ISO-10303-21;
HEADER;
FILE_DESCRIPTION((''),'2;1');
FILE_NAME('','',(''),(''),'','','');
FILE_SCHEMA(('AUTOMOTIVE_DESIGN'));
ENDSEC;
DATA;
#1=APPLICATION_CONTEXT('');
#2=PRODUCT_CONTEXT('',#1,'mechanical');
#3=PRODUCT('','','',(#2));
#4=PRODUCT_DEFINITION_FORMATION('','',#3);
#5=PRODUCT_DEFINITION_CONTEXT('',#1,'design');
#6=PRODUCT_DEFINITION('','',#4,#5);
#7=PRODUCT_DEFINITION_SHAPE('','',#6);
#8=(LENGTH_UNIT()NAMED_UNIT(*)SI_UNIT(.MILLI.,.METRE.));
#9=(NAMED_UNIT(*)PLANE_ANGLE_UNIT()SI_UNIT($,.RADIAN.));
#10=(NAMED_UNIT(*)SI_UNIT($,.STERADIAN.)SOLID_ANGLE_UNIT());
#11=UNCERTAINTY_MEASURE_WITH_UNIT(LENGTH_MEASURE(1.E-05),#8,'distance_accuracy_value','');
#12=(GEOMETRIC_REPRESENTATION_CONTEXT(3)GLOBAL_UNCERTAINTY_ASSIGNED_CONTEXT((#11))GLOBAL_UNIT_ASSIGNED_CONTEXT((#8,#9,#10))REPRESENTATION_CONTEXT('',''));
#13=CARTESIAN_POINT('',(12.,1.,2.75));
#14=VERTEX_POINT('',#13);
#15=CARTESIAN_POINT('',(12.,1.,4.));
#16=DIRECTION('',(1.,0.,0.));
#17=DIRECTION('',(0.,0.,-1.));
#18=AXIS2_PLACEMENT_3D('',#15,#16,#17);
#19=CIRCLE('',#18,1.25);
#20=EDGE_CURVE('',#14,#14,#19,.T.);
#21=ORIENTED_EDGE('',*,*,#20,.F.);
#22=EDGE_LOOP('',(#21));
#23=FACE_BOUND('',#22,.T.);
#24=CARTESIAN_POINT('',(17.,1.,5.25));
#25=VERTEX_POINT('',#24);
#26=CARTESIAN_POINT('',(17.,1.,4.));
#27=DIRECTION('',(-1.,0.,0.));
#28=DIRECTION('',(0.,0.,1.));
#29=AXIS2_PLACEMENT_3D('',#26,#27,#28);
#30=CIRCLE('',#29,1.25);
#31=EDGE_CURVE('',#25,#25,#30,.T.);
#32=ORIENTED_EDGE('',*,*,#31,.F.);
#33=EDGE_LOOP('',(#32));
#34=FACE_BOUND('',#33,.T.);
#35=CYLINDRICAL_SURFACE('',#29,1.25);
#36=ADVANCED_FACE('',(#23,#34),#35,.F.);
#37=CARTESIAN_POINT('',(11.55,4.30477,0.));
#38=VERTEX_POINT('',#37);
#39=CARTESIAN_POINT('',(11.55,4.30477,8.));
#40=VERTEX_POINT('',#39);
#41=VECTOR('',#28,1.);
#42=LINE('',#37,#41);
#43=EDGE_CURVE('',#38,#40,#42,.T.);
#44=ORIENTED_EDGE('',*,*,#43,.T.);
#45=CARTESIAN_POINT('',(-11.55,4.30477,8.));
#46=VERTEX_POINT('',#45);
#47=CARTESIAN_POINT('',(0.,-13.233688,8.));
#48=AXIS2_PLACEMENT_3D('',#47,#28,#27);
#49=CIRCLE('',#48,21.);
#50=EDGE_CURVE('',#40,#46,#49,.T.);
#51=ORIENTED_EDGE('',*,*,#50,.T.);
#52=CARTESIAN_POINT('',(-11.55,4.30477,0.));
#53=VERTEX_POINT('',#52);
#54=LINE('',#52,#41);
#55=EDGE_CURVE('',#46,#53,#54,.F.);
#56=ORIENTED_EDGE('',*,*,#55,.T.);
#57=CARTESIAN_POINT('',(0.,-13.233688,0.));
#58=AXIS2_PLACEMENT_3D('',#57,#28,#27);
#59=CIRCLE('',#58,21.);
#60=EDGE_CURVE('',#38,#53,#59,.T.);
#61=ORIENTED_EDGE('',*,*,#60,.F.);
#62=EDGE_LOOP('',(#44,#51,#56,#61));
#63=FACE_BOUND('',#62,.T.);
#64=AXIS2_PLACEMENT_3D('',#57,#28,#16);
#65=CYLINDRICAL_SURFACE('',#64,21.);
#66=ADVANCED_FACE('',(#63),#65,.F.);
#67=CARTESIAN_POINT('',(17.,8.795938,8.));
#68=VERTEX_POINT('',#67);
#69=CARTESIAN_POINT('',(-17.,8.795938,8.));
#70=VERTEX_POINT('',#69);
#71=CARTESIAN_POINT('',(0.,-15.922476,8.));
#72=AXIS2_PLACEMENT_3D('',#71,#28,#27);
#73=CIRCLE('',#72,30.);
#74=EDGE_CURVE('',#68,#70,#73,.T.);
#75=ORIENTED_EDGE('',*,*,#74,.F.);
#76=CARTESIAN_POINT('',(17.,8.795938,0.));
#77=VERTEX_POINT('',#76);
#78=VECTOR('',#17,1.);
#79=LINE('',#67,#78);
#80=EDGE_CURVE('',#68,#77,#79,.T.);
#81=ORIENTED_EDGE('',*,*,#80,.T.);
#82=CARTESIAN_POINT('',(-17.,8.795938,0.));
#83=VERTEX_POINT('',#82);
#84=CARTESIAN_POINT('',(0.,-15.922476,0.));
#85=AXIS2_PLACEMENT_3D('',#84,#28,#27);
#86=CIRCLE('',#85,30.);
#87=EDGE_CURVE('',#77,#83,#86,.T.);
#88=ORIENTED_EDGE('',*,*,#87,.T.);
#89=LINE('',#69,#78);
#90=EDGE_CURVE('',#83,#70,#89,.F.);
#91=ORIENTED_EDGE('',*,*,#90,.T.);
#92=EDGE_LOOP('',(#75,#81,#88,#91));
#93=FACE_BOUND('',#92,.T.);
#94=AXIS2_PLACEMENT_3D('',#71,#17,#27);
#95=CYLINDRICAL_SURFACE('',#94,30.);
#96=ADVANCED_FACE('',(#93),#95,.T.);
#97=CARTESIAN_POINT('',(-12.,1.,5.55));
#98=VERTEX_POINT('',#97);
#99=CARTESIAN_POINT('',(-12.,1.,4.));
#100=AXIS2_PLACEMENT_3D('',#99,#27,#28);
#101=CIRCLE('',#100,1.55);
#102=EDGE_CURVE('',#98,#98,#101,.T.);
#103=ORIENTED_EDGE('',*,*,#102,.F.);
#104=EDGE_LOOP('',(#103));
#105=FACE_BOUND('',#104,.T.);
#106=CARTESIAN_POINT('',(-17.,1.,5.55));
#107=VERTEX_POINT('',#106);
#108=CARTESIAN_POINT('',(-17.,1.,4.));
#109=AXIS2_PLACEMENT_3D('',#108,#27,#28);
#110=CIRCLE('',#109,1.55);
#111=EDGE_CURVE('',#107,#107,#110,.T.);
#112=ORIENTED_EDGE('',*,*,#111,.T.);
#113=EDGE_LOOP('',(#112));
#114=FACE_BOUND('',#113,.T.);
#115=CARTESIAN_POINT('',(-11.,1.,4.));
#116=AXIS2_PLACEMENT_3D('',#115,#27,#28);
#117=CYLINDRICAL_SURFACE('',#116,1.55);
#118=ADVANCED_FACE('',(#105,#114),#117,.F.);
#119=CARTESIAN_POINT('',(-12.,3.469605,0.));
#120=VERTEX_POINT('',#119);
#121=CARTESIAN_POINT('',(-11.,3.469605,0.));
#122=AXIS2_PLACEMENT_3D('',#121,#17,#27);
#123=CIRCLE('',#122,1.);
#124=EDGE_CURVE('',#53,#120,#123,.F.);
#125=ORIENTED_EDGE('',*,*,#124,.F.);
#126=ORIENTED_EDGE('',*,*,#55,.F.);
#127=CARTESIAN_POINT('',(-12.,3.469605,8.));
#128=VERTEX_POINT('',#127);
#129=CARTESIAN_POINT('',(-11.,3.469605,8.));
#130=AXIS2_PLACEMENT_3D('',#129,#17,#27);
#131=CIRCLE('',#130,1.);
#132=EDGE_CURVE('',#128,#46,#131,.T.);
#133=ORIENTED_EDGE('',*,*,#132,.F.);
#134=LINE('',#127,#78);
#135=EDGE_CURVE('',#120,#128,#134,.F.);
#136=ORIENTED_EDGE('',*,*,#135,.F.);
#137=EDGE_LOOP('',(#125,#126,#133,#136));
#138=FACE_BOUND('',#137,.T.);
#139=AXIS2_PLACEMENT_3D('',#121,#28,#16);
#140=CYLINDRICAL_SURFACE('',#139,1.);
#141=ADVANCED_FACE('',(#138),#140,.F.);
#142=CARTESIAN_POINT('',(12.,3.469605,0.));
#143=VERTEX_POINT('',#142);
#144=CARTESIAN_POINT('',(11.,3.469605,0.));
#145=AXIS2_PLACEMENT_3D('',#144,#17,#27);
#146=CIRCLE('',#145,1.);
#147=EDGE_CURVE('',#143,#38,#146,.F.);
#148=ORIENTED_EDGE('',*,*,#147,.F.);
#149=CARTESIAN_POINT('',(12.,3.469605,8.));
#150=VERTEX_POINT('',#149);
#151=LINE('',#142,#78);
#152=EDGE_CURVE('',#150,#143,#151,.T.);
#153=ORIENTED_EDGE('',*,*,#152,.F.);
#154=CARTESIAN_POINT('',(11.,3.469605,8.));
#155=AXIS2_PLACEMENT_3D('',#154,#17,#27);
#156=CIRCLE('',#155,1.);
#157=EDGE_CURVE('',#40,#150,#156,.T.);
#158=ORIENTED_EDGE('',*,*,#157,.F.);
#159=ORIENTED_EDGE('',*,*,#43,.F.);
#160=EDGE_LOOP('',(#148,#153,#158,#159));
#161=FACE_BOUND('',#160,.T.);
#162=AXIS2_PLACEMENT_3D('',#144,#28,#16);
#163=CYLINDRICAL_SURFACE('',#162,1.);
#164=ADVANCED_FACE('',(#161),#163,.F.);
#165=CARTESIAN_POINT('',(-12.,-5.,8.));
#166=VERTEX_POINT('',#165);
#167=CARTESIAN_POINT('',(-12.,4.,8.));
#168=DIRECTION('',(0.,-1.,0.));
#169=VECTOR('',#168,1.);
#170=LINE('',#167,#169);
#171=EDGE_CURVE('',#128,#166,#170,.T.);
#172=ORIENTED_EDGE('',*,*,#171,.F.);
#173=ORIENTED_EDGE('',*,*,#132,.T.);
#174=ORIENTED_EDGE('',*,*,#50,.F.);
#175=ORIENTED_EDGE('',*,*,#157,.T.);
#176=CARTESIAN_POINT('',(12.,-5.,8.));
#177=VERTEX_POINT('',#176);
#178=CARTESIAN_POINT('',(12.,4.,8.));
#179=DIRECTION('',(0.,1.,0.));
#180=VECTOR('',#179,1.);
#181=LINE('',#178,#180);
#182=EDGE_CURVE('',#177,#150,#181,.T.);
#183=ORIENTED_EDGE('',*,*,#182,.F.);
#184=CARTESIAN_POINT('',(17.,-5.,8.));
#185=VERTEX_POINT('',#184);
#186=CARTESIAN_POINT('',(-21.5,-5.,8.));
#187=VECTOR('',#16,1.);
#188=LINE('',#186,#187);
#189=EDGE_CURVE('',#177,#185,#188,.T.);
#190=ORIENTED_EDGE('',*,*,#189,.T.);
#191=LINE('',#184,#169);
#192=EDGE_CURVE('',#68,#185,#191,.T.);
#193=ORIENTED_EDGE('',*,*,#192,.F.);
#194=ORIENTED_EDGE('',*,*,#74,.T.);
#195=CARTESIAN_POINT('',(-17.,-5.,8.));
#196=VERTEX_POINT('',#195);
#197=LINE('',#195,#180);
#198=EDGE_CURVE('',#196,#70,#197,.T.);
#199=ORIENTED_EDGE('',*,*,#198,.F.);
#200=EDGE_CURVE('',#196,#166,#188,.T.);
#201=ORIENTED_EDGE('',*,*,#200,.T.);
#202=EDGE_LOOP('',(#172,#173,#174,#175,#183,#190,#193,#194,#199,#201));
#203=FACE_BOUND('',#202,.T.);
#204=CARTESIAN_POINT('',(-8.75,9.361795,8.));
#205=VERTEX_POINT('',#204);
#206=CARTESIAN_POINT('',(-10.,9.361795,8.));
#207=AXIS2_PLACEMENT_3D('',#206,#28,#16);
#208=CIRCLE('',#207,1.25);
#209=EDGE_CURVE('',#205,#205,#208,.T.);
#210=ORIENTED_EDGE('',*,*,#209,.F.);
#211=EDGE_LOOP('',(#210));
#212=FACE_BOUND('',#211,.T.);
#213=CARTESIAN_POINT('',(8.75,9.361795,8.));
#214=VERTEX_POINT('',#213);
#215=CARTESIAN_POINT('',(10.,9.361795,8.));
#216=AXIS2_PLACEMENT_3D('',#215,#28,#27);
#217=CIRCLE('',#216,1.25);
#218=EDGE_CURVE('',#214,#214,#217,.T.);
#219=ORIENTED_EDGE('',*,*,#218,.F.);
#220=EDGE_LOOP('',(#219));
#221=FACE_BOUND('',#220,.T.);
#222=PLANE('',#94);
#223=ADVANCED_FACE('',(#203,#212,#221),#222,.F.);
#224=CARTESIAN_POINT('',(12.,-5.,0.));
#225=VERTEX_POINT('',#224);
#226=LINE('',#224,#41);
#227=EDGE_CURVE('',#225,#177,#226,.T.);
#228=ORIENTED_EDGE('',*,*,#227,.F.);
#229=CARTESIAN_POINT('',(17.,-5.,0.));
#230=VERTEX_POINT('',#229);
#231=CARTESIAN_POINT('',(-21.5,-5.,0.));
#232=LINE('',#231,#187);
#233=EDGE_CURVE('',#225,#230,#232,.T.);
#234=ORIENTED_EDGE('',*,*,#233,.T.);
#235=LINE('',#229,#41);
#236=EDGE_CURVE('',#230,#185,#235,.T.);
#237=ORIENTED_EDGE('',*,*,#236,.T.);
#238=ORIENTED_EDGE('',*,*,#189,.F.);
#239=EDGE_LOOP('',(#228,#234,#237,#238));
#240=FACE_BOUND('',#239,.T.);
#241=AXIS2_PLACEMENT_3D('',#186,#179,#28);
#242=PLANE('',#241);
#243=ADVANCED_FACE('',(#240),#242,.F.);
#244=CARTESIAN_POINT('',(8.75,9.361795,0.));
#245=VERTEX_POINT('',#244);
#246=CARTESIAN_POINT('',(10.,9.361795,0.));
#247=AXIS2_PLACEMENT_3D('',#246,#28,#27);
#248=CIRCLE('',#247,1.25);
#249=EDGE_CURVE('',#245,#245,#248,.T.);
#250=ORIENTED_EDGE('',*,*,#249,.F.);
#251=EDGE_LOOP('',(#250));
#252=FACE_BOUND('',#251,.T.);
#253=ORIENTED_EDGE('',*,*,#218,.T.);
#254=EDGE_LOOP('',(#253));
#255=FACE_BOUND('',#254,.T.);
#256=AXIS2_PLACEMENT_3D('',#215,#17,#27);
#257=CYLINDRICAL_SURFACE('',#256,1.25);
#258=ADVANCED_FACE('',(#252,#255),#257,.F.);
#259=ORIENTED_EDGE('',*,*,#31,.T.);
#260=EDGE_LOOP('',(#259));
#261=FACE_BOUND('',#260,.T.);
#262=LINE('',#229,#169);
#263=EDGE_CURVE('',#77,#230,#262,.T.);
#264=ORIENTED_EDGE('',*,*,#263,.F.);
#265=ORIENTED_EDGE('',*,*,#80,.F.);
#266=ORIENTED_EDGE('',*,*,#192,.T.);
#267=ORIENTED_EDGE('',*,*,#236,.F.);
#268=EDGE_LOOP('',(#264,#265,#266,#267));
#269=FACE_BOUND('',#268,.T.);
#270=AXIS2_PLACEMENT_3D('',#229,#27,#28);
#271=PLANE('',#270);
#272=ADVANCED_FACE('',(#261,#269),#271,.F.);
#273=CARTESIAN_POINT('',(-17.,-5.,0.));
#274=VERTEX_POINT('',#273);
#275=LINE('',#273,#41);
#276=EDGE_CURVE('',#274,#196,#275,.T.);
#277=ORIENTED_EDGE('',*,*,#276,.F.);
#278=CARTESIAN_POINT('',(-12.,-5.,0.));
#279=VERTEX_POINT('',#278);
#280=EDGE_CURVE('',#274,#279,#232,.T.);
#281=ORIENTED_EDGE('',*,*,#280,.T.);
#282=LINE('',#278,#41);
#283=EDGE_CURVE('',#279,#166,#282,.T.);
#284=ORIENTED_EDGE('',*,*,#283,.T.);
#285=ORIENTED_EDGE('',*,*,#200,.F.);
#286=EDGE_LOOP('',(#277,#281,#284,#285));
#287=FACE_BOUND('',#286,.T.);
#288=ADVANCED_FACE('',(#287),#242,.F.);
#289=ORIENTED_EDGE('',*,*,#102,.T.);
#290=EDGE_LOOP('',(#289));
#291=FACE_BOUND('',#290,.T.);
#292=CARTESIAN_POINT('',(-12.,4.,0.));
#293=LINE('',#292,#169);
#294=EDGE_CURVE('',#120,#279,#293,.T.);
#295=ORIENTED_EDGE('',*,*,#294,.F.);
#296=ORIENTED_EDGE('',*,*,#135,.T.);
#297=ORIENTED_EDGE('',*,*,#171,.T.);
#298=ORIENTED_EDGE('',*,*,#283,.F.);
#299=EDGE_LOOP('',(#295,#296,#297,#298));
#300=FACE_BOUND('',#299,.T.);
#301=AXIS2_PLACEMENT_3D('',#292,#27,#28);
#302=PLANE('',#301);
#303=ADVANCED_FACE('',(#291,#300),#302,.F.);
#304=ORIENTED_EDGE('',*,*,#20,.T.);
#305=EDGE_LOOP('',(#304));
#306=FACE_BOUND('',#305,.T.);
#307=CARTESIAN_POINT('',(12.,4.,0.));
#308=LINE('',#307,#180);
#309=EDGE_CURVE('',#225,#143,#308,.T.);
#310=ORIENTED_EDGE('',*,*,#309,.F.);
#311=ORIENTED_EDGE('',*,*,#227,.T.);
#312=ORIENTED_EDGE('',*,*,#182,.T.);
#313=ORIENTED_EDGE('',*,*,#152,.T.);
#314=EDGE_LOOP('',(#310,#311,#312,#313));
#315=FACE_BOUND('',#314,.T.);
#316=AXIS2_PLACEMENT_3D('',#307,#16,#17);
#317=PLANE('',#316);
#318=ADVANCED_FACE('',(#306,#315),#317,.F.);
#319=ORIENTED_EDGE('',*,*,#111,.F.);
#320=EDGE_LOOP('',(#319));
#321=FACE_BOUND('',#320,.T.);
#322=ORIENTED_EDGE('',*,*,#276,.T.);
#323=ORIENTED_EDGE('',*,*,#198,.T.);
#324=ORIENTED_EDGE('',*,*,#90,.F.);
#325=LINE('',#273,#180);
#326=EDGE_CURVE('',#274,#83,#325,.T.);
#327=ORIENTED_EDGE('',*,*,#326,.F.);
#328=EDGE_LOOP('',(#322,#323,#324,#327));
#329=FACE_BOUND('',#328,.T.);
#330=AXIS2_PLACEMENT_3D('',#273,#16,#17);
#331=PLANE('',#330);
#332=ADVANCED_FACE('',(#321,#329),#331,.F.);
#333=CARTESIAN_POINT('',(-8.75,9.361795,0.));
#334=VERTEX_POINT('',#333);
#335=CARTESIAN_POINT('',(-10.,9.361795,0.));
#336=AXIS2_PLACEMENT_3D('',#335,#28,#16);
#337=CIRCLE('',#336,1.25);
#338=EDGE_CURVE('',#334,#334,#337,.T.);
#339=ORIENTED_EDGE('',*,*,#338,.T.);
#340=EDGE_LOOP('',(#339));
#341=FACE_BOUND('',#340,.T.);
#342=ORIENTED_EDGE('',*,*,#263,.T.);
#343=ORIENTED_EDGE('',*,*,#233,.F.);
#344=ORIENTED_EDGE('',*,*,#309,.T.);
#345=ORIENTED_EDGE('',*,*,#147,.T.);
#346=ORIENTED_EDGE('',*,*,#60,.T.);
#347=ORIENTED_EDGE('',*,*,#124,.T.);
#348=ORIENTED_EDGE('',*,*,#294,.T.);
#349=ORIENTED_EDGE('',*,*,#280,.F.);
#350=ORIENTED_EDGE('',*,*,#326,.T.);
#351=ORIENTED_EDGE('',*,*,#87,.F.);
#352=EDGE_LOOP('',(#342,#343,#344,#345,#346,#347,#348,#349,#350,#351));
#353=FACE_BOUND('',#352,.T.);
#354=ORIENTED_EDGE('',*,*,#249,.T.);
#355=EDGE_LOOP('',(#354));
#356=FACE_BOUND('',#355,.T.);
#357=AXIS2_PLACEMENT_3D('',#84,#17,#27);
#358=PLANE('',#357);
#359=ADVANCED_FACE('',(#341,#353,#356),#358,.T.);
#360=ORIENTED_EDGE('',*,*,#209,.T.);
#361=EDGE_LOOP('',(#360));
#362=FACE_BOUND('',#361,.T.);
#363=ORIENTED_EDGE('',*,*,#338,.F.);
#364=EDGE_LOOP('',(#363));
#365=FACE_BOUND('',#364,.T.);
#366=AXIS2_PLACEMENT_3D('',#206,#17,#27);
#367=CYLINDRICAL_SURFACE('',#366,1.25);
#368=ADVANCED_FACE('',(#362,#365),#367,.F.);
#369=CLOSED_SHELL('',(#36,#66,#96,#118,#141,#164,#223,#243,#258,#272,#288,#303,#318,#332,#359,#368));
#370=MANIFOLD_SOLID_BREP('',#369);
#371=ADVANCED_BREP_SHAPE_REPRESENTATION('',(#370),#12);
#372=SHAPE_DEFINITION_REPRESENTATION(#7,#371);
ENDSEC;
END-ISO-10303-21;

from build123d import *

# Parameters (mm, degrees)
SKETCH_4_R          = 1.25
EXTRUDE_2_DEPTH     = 8
SKETCH_5_W          = 4.5
SKETCH_5_H          = 18.121653049
CUT_EXTRUDE_2_DEPTH = 9
SKETCH_6_R          = 1.25
CUT_EXTRUDE_3_DEPTH = 35
SKETCH_7_R          = 1.55
CUT_EXTRUDE_4_DEPTH = 6
FILLET_1_R          = 1


with BuildPart() as part:
    # 草图4 → 凸台-拉伸2 (new body)
    with BuildSketch(Plane.XY):
        with BuildLine():
            Line((-21.5, 5), (-21.5, -5))
            Line((-21.5, -5), (21.5, -5))
            Line((21.5, -5), (21.5, 5))
            ThreePointArc((21.5, 5), (0, 14.077524047), (-21.5, 5))
        make_face()
        with Locations((-10, 9.361795295)):
            Circle(SKETCH_4_R, mode=Mode.SUBTRACT)
        with Locations((10, 9.361795295)):
            Circle(SKETCH_4_R, mode=Mode.SUBTRACT)
    extrude(amount=EXTRUDE_2_DEPTH)

    # 草图5 → 切除-拉伸2 (cut, through all)
    with BuildSketch(Plane.XY.offset(8)):
        with BuildLine():
            Line((-12, 4), (-12, -5))
            Line((-12, -5), (12, -5))
            Line((12, -5), (12, 4))
            ThreePointArc((12, 4), (0, 7.76631206), (-12, 4))
        make_face()
        with Locations((19.25, 4.060826525)):
            Rectangle(SKETCH_5_W, SKETCH_5_H)
        with Locations((-19.25, 4.060826525)):
            Rectangle(SKETCH_5_W, SKETCH_5_H)
    extrude(amount=-CUT_EXTRUDE_2_DEPTH, mode=Mode.SUBTRACT)

    # 草图6 → 切除-拉伸3 (cut, through all)
    with BuildSketch(Plane.ZY.offset(17)):
        with Locations((4, 1)):
            Circle(SKETCH_6_R)
    extrude(amount=-CUT_EXTRUDE_3_DEPTH, mode=Mode.SUBTRACT)

    # 草图7 → 切除-拉伸4 (cut)
    with BuildSketch(Plane.ZY.offset(17)):
        with Locations((4, 1)):
            Circle(SKETCH_7_R)
    extrude(amount=-CUT_EXTRUDE_4_DEPTH, mode=Mode.SUBTRACT)

    # 圆角1
    fillet_1_edges = [part.edges().sort_by_distance(p)[0] for p in [
        (12, 4, 4),
        (-12, 4, 4),
    ]]
    fillet(fillet_1_edges, radius=FILLET_1_R)


solid = part.part
